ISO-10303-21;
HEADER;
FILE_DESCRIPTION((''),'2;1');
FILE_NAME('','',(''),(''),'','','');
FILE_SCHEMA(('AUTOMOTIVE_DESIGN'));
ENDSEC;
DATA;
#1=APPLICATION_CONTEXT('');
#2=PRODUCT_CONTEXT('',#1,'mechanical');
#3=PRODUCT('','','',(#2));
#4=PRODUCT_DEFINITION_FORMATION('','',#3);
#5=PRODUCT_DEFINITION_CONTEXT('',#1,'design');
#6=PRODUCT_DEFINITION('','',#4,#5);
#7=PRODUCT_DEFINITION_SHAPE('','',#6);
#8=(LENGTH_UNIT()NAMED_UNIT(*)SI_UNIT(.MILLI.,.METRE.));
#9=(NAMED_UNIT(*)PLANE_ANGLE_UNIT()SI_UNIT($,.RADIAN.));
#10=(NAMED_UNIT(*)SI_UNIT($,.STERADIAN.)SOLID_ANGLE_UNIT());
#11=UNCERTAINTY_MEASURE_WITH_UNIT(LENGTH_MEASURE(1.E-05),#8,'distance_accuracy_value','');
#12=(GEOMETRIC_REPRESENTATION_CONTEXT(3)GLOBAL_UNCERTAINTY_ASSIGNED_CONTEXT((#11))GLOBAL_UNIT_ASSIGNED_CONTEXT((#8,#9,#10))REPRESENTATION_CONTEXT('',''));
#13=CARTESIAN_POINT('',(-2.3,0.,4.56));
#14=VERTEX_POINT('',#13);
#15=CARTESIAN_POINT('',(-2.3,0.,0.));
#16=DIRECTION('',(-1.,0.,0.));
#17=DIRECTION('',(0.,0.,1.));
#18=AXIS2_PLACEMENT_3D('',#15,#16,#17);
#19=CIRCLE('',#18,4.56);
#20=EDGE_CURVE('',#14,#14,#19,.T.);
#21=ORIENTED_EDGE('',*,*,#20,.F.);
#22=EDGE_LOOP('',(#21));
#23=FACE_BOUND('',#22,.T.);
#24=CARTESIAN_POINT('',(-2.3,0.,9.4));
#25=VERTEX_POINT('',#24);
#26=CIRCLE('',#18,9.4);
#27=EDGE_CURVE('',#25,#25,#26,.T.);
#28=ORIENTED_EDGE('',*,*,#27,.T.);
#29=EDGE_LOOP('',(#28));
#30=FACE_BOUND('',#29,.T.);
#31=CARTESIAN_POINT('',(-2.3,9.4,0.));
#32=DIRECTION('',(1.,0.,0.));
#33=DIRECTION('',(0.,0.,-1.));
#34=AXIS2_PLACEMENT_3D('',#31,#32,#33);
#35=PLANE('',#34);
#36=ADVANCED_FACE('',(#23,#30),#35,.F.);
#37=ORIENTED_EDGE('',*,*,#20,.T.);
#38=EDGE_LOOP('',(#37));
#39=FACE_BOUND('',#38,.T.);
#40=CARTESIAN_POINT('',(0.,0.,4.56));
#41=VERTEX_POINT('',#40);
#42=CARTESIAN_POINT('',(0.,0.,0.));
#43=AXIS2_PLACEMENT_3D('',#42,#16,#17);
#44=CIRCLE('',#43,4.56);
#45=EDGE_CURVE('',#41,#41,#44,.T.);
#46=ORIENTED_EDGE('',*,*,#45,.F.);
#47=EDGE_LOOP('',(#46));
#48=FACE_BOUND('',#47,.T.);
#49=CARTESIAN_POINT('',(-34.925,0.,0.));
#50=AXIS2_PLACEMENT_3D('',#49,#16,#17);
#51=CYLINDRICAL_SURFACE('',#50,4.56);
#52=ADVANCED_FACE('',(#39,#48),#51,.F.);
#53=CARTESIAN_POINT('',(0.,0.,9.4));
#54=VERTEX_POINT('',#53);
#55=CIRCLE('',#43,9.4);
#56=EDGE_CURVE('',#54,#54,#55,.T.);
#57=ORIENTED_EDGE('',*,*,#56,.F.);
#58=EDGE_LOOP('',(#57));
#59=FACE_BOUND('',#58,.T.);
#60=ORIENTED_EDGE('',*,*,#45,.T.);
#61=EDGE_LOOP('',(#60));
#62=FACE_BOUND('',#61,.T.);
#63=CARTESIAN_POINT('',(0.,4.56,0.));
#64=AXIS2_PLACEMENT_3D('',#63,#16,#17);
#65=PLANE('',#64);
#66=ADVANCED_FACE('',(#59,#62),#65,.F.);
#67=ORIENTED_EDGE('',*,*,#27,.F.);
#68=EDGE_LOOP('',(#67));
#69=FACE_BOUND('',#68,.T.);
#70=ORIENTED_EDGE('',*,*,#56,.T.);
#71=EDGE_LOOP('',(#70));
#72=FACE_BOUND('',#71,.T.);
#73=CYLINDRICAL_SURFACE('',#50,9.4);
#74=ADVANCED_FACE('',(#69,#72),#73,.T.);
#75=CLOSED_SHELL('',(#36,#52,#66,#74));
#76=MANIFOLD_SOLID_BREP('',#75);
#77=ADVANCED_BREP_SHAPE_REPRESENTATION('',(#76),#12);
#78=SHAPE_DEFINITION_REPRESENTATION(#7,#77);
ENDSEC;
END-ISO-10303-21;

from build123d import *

# Parameters (mm, degrees)
SKETCH1_W = 2.3
SKETCH1_H = 4.84


with BuildPart() as part:
    # Sketch1 → Base-Revolve (revolve)
    with BuildSketch(Plane.XY):
        with Locations((-1.15, 6.98)):
            Rectangle(SKETCH1_W, SKETCH1_H)
    revolve(axis=Axis((-34.925, 0, 0), (1, 0, 0)))


solid = part.part
